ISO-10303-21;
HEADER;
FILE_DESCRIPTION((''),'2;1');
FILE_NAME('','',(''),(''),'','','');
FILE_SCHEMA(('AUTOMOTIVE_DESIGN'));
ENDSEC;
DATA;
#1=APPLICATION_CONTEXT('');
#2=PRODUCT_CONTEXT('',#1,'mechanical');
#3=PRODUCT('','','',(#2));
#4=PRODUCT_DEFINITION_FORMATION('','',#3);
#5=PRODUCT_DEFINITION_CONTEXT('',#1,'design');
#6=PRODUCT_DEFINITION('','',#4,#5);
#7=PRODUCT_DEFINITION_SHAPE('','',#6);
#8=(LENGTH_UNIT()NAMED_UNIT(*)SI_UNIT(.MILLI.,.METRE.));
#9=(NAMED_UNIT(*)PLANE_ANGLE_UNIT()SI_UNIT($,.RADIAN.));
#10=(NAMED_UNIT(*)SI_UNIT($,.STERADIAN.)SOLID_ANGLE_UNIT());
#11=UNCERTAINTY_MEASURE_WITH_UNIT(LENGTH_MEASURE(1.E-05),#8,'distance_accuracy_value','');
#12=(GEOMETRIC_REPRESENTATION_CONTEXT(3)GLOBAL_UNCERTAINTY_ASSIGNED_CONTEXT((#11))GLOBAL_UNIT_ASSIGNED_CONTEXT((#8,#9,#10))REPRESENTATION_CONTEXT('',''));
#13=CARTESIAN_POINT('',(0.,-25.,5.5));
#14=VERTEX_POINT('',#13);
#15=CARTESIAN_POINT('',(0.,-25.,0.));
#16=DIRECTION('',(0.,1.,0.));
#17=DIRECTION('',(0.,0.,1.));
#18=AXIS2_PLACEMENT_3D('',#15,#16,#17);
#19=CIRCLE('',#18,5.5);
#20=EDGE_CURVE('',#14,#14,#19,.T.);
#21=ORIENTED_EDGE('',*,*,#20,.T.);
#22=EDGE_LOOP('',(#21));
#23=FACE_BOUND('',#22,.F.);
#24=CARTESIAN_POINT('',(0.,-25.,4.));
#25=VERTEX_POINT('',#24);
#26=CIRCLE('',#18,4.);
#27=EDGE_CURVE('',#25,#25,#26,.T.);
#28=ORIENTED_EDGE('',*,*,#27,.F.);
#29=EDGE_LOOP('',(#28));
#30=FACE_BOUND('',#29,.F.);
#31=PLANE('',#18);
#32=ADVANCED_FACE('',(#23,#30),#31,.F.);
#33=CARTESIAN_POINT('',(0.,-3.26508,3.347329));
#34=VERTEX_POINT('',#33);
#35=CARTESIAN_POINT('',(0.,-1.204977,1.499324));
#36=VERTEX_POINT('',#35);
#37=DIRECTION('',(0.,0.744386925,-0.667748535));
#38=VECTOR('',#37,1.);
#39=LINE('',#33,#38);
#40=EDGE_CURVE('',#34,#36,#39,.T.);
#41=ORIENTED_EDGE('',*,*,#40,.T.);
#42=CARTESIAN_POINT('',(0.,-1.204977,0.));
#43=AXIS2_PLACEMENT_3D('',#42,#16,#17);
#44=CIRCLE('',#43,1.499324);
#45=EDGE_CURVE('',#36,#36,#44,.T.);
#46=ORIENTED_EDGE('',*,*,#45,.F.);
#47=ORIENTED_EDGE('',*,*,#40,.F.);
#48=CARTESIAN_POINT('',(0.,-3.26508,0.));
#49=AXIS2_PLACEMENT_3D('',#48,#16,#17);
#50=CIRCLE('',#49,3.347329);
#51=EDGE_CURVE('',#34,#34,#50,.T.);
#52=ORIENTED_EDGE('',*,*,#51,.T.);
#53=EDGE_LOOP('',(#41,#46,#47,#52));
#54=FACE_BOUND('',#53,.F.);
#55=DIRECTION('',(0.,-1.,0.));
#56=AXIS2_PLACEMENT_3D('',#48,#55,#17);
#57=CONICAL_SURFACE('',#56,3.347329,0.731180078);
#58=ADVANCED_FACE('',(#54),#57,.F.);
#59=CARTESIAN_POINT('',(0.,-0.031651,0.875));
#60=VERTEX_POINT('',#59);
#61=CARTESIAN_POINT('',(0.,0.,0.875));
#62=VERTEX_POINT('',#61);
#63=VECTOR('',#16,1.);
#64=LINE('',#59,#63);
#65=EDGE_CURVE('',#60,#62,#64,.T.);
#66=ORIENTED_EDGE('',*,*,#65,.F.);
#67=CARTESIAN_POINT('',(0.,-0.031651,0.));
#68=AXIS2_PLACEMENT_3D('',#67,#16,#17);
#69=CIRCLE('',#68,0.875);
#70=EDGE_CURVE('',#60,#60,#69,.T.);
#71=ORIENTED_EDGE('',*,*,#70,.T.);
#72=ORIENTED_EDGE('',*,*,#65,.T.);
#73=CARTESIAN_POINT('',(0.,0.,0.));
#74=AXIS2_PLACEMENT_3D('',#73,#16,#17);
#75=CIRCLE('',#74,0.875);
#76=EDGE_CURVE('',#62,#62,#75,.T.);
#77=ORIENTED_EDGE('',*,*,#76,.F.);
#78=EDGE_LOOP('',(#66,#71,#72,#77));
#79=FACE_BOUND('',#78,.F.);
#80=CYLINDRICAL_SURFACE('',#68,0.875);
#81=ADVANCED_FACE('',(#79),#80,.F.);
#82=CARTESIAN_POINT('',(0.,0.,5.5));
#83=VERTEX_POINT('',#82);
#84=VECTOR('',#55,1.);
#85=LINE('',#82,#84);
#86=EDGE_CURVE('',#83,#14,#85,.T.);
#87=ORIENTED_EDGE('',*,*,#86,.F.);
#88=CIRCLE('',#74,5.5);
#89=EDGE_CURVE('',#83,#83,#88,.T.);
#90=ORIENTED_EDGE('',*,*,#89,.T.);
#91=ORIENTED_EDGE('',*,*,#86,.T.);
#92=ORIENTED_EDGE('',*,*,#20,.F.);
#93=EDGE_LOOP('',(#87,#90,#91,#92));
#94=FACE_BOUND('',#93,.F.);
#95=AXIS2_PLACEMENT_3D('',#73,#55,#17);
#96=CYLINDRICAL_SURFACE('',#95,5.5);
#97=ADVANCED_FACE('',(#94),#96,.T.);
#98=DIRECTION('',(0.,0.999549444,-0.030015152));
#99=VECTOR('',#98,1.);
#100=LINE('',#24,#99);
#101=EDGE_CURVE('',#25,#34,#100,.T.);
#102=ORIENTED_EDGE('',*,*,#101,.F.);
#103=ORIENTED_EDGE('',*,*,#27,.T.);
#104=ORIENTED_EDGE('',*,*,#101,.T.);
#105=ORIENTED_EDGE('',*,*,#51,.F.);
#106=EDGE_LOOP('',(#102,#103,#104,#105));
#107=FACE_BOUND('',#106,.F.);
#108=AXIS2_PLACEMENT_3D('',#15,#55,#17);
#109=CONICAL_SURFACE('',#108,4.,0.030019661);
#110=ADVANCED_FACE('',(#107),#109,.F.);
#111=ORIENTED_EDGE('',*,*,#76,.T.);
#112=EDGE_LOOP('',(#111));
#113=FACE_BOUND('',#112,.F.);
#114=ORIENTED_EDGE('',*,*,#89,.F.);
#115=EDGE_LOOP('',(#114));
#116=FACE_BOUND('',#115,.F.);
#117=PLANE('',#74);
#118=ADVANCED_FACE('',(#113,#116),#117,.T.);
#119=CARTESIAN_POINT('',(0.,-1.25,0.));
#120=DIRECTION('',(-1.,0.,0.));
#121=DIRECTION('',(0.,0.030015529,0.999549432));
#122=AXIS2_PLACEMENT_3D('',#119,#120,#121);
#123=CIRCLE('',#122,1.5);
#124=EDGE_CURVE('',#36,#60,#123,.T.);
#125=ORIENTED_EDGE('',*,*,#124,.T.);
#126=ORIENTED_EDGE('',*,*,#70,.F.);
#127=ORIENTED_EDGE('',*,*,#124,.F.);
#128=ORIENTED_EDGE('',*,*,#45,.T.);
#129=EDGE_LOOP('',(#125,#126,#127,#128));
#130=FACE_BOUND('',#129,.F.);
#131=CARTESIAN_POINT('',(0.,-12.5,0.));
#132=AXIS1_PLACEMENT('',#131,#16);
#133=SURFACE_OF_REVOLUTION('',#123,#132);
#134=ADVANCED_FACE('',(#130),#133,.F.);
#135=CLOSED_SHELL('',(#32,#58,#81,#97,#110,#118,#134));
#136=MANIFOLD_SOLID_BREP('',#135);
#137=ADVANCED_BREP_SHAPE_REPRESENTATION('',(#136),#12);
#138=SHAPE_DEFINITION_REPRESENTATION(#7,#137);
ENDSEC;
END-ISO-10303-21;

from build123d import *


with BuildPart() as f1:
    # F0 (on Right) → F1 (revolve)
    with BuildSketch(Plane.YZ):
        with BuildLine():
            Line((-0.031651, 0.875), (0, 0.875))
            Line((0, 0.875), (0, 5.5))
            Line((0, 5.5), (-25, 5.5))
            Line((-25, 5.5), (-25, 4))
            Line((-25, 4), (-3.26508, 3.347329))
            Line((-3.26508, 3.347329), (-1.204977, 1.499324))
            ThreePointArc((-1.204977, 1.499324), (-0.545392, 1.324208), (-0.031651, 0.875))
        make_face()
    revolve(axis=Axis((0, -12.5, 0), (0, 1, 0)))


solid = f1.part
